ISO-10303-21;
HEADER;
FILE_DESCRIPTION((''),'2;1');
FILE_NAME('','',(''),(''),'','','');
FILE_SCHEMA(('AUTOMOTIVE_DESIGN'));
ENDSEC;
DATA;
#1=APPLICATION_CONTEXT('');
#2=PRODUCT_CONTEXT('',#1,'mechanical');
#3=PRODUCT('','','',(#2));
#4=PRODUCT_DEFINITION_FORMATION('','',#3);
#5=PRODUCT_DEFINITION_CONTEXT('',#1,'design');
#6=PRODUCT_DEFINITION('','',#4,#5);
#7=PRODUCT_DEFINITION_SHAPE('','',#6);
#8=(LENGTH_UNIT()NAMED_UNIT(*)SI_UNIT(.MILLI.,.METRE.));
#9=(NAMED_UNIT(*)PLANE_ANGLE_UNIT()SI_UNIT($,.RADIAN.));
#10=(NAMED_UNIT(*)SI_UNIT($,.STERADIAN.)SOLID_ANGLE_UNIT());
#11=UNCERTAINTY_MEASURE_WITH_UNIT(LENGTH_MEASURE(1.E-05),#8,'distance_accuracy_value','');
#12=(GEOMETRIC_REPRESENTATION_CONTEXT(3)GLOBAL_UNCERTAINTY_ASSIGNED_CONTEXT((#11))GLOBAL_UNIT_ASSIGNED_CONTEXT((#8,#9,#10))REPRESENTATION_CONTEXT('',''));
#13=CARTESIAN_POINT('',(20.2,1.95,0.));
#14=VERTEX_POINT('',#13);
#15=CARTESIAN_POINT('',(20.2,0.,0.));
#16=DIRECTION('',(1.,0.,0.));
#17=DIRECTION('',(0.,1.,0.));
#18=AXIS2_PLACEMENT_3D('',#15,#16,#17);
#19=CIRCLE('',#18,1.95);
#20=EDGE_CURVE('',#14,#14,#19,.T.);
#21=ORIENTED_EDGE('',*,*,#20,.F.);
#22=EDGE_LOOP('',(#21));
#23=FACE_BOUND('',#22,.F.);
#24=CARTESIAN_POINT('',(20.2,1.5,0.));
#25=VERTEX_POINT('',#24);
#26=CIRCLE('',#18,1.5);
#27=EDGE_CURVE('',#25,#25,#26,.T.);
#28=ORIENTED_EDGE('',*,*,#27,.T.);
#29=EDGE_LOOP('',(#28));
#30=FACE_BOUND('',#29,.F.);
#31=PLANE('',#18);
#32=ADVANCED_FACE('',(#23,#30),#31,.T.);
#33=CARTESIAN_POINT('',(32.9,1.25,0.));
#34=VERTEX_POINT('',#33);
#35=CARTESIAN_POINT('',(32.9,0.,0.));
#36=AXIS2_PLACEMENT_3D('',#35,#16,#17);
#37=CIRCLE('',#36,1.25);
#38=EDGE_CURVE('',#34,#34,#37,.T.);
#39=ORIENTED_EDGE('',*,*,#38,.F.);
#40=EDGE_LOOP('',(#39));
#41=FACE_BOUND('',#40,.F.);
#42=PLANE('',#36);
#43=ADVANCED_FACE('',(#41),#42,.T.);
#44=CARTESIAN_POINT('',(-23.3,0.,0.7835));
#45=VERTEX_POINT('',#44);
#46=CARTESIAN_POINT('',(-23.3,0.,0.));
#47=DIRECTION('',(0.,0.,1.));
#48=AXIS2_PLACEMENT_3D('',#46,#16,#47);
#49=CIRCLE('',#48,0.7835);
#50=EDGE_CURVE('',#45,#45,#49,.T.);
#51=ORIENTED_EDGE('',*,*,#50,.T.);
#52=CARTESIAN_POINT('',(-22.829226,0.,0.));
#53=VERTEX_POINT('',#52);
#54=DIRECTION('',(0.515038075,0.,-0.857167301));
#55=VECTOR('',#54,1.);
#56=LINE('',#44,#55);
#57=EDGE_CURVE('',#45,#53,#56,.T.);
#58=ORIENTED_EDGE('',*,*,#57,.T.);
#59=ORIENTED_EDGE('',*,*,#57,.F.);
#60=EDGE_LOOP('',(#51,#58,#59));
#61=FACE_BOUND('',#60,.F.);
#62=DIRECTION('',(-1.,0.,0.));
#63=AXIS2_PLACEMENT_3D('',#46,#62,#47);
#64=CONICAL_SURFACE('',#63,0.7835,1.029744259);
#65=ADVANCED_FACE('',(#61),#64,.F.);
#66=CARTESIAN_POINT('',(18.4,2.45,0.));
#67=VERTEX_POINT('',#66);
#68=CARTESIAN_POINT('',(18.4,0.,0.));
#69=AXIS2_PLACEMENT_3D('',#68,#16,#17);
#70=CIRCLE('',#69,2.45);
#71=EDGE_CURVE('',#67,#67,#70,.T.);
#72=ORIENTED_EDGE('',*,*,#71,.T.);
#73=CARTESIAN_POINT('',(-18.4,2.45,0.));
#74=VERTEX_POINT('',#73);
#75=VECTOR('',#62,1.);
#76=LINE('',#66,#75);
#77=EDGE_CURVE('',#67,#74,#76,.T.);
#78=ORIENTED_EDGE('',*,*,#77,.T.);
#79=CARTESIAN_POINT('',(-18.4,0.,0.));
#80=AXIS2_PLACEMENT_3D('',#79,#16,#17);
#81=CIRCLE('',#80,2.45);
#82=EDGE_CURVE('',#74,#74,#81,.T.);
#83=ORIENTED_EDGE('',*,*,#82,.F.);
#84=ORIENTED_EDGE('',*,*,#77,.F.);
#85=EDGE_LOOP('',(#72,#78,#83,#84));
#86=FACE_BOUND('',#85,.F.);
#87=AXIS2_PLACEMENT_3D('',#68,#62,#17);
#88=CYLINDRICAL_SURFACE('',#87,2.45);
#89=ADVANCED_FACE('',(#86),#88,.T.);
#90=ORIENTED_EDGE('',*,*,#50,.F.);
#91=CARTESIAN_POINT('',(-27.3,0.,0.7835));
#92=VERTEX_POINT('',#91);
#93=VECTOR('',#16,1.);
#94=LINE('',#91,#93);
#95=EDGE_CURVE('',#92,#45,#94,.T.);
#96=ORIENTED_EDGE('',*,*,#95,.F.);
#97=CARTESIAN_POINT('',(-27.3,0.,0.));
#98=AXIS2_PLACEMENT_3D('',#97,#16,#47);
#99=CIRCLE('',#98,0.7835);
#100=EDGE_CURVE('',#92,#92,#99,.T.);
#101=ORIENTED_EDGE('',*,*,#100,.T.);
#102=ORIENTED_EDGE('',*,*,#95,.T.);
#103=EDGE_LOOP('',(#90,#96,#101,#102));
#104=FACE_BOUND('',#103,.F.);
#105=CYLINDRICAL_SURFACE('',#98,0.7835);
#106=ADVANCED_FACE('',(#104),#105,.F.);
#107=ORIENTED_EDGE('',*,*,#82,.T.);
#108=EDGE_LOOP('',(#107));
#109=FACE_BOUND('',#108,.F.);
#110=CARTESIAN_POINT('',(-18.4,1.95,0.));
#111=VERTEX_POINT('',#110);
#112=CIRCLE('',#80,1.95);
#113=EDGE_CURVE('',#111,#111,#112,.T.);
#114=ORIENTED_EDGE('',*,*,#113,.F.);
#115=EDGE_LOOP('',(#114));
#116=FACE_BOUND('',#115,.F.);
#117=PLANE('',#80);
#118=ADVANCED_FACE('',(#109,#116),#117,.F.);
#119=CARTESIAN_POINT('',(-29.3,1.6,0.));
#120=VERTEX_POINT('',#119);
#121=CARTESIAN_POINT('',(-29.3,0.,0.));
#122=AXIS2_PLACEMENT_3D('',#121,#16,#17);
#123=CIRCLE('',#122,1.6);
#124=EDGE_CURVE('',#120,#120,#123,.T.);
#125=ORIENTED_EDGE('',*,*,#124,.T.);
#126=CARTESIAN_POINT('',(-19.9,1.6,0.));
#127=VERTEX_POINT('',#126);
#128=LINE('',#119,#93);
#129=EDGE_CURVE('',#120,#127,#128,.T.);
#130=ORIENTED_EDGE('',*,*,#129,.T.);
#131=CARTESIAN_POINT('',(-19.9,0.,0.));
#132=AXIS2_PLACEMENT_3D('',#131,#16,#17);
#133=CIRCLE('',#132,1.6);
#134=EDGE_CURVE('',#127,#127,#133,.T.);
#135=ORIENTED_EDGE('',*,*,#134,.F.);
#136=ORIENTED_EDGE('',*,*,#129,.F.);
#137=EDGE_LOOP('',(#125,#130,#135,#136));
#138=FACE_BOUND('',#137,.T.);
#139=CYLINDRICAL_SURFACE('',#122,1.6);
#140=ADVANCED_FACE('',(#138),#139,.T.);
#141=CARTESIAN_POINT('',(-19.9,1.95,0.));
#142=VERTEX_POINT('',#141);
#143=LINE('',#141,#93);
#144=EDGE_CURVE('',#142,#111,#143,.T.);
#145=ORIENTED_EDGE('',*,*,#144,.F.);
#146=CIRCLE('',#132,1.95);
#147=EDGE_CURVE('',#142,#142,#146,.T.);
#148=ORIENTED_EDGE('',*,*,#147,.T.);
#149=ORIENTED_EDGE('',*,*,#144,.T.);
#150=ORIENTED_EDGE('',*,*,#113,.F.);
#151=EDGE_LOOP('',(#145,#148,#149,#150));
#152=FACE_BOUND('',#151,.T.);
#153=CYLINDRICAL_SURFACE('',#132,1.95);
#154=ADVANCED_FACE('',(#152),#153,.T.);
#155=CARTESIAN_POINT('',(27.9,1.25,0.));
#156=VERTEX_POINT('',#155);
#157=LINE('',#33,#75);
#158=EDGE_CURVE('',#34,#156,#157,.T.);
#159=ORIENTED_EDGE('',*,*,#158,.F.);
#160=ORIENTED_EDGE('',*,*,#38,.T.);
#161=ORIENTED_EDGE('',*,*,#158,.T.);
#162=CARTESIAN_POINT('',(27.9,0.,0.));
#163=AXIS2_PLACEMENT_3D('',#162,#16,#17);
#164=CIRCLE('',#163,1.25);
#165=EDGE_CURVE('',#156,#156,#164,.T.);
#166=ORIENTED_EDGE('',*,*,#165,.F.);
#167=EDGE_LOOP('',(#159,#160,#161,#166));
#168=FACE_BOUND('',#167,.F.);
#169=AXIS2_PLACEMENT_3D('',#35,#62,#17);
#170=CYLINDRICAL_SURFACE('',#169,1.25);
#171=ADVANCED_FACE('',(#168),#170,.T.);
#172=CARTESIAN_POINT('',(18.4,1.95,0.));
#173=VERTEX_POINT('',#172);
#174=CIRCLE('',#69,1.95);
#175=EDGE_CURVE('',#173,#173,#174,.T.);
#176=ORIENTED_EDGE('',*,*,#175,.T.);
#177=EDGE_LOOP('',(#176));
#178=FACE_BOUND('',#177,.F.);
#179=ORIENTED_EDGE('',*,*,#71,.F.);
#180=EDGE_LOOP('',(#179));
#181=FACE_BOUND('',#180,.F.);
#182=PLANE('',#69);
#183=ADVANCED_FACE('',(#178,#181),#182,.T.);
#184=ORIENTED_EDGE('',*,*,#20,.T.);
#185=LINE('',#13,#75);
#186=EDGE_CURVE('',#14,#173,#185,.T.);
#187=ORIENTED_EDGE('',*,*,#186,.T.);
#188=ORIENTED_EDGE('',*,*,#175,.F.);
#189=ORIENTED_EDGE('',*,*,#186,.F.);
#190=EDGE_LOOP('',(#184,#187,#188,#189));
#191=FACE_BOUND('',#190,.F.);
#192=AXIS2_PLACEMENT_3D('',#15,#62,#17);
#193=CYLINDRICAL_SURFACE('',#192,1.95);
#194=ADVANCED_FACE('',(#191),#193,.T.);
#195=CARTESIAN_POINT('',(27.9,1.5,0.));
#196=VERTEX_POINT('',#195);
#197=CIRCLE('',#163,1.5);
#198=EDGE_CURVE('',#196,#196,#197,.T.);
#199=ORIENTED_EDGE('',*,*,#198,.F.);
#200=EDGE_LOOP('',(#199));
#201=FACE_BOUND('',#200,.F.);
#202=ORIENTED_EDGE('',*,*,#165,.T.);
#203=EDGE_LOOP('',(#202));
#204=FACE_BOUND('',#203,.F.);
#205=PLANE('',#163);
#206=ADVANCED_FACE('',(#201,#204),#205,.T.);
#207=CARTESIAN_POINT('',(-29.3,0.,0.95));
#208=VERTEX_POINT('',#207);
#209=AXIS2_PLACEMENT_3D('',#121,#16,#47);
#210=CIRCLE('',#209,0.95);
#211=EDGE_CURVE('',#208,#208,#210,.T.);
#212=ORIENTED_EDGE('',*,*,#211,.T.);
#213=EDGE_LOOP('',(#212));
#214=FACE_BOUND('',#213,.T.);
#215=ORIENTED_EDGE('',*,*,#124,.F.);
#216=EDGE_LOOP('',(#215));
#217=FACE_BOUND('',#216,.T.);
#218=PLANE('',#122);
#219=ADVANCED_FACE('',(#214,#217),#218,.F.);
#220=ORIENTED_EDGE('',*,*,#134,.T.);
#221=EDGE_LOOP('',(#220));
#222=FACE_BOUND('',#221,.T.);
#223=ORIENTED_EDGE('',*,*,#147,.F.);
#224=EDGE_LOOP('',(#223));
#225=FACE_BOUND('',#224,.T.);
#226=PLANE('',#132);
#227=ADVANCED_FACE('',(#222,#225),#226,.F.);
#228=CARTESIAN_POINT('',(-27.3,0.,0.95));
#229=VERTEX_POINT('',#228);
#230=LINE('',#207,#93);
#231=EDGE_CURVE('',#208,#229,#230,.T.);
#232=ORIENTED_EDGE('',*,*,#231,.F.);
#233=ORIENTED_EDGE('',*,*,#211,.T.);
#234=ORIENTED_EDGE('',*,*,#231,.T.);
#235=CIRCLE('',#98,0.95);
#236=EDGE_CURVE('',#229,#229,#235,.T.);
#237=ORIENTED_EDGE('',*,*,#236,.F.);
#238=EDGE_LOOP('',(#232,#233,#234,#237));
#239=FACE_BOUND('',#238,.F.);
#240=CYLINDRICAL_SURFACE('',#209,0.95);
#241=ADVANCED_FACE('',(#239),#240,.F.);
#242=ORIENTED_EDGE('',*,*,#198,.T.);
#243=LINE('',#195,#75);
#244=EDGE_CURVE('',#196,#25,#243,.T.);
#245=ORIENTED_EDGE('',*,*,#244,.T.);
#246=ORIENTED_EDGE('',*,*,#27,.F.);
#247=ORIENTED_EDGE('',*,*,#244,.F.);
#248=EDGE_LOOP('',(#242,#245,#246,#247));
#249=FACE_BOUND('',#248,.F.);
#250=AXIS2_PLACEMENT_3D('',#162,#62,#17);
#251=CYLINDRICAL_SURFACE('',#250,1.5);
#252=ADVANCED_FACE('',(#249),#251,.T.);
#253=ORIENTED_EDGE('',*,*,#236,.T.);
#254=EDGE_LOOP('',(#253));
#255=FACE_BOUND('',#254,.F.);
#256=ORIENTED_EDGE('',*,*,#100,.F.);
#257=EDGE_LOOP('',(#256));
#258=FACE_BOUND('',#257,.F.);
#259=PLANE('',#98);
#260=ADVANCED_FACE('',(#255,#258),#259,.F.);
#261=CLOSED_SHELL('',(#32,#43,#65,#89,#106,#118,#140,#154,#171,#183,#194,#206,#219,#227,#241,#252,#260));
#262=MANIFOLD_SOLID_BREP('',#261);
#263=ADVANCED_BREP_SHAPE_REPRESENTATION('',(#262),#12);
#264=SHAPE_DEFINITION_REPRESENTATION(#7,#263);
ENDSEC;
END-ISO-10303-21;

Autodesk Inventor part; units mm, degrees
ref_plane "YZ Plane" through (0, 0, 0) normal (1, 0, 0) x (0, 1, 0)
ref_plane "XZ Plane" through (0, 0, 0) normal (0, 1, 0) x (-1, 0, 0)
ref_plane "XY Plane" through (0, 0, 0) normal (0, 0, 1) x (1, 0, 0)
sketch "Sketch1" plane through (0, 0, 0) normal (0, 0, 1) x (1, 0, 0)
  line L0 (-18.4, 0) -> (18.4, 0)
  line L1 (18.4, 0) -> (18.4, 2.45)
  line L2 (18.4, 2.45) -> (-18.4, 2.45)
  line L3 (-18.4, 2.45) -> (-18.4, 0)
  line L4 (-18.4, 0) -> (-19.9, 0)
  line L5 (-19.9, 0) -> (-19.9, 1.95)
  line L6 (-19.9, 1.95) -> (-18.4, 1.95)
  line L7 (-18.4, 1.95) -> (-18.4, 0)
  line L8 (-19.9, 0) -> (-29.3, 0)
  line L9 (-29.3, 0) -> (-29.3, 1.6)
  line L10 (-29.3, 1.6) -> (-19.9, 1.6)
  line L11 (-19.9, 1.6) -> (-19.9, 0)
  line L12 (18.4, 0) -> (20.2, 0)
  line L13 (20.2, 0) -> (20.2, 1.95)
  line L14 (20.2, 1.95) -> (18.4, 1.95)
  line L15 (18.4, 1.95) -> (18.4, 0)
  line L16 (20.2, 0) -> (27.9, 0)
  line L17 (27.9, 0) -> (27.9, 1.5)
  line L18 (27.9, 1.5) -> (20.2, 1.5)
  line L19 (20.2, 1.5) -> (20.2, 0)
  line L20 (27.9, 0) -> (32.9, 0)
  line L21 (32.9, 0) -> (32.9, 1.25)
  line L22 (32.9, 1.25) -> (27.9, 1.25)
  line L23 (27.9, 1.25) -> (27.9, 0)
  point P0 (0, 0)
  point P1 (0, 0)
  dimension "d0" = 9.4
  dimension "d1" = 10.9
  dimension "d2" = 47.7
  dimension "d3" = 3.2
  dimension "d4" = 3.9
  dimension "d5" = 4.9
  dimension "d6" = 3
  dimension "d7" = 49.5
  dimension "d21" = 2.5
  dimension "d22" = 62.2
  dimension "d23" = 5
revolve "Revolution1" add sketch "Sketch1" angle 360 about axis through (-18.4, 0, 0) along (1, 0, 0)
thread "Thread1" size "M2.5x0.45" class "6g" standard "ANSI Metric M Profile" length 5
hole "Hole1" at (-29.3, 0, 0) direction (1, 0, 0) diameter 1.567 depth 6 tip angle 118 counterbore diameter 1.9 counterbore depth 2 thread size "M2x0.4" class "6H" standard "ANSI Metric M Profile"
properties part number "401-05" material "Aluminum-6061"
